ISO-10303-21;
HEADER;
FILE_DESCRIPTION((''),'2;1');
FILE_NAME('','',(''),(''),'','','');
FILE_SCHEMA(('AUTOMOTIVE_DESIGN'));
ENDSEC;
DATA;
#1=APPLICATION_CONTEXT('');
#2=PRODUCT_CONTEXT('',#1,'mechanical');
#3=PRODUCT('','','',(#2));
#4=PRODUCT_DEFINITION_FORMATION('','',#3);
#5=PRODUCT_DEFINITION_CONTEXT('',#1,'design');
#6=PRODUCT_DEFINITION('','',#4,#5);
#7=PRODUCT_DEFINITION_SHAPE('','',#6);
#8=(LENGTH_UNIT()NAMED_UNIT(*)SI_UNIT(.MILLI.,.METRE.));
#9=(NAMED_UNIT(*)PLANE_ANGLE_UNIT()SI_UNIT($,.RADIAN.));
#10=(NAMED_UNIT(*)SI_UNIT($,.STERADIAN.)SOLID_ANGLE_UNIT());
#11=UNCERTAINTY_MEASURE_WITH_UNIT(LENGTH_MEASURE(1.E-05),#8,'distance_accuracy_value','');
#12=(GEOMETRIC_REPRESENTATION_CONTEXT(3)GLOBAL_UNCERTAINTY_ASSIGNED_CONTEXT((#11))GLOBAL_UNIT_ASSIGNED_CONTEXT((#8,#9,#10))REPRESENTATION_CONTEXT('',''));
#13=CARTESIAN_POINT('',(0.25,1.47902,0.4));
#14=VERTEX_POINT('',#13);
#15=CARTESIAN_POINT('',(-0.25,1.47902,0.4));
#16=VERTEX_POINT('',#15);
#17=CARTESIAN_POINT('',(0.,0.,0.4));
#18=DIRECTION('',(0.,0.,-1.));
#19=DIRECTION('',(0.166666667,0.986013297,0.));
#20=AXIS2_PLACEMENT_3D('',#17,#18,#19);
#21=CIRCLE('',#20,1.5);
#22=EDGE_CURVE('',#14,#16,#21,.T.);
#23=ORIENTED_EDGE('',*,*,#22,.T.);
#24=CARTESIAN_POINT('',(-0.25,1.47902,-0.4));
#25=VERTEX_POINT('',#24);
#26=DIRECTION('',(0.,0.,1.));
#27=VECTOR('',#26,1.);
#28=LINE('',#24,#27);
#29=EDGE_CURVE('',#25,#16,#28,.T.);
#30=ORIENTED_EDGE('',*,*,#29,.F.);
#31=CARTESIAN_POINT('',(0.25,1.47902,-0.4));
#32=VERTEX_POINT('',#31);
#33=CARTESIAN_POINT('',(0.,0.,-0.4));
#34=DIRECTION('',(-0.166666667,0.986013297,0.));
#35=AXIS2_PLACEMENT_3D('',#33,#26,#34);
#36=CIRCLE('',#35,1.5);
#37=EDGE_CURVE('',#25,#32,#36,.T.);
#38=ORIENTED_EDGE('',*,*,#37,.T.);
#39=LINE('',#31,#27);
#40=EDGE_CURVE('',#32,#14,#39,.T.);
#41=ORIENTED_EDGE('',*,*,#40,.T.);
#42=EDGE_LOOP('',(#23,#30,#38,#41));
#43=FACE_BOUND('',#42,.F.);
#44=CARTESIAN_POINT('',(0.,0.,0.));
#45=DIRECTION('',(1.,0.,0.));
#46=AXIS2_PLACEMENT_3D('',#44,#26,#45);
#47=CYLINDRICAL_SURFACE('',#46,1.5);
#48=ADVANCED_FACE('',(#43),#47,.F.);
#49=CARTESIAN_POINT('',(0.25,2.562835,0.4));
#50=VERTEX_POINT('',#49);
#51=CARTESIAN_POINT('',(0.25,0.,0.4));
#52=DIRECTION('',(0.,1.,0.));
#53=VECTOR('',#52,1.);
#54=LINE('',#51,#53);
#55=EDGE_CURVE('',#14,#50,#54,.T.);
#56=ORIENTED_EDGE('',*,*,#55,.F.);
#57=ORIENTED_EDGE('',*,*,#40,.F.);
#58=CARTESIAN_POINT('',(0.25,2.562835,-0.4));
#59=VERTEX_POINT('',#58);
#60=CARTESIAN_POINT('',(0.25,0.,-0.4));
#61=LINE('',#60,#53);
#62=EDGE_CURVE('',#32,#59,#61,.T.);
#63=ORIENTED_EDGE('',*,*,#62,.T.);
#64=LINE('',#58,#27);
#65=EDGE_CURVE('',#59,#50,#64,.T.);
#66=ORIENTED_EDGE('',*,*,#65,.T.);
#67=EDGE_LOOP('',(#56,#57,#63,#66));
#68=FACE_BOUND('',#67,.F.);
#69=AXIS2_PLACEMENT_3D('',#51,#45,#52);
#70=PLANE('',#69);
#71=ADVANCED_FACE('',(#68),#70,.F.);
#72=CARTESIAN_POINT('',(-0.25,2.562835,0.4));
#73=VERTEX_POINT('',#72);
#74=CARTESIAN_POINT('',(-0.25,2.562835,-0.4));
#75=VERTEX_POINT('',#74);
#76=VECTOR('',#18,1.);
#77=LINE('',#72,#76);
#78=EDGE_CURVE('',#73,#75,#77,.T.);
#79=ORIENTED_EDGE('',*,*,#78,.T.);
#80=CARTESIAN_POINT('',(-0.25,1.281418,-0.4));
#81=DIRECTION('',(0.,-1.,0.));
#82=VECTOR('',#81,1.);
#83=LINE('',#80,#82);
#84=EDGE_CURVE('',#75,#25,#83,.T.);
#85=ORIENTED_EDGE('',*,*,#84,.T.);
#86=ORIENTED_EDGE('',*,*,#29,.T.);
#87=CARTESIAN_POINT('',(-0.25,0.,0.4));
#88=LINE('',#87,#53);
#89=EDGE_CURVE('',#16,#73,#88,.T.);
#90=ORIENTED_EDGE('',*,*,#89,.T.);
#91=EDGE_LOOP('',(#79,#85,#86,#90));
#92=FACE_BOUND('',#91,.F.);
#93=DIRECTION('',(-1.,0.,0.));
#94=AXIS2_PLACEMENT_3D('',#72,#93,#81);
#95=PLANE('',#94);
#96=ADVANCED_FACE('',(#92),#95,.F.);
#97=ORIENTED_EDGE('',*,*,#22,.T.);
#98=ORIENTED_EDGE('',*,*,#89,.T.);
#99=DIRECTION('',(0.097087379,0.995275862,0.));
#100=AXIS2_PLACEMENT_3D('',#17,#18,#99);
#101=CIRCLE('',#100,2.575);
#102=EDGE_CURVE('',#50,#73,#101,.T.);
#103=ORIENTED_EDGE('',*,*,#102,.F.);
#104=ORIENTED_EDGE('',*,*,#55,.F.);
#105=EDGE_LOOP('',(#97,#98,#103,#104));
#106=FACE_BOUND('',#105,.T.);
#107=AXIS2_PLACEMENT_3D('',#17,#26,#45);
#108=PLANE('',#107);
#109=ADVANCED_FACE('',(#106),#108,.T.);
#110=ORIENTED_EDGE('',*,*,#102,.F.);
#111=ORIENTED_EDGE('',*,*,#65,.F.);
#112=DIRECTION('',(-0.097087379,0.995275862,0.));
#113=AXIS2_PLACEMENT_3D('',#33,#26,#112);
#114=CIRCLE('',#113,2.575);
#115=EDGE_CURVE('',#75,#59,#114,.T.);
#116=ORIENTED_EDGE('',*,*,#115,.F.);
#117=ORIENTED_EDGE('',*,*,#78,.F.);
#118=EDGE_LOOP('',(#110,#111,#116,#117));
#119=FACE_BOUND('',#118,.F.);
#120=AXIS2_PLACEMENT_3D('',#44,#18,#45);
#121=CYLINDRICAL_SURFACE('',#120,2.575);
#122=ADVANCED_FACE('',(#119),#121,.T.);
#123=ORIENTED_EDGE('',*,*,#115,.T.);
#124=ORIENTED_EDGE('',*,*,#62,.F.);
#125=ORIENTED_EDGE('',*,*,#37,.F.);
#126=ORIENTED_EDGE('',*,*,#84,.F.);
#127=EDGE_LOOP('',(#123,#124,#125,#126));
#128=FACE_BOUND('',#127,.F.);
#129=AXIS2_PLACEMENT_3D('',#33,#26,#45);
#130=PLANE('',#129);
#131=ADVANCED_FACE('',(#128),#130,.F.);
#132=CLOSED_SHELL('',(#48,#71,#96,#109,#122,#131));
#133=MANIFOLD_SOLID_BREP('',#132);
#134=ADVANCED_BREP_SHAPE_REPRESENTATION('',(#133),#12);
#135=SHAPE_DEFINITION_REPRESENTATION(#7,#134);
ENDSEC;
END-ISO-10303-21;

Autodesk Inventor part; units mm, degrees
ref_plane "YZ Plane" through (0, 0, 0) normal (1, 0, 0) x (0, 1, 0)
ref_plane "XZ Plane" through (0, 0, 0) normal (0, 1, 0) x (-1, 0, 0)
ref_plane "XY Plane" through (0, 0, 0) normal (0, 0, 1) x (1, 0, 0)
sketch "Esquisse1" plane through (0, 0, 0) normal (0, 0, 1) x (1, 0, 0)
  circle A0 centre (0, 0) radius 1.5
  circle A1 centre (0, 0) radius 2.575
  dimension "d0" = 3
  dimension "d1" = 5.15
extrude "Extrusion1" add sketch "Esquisse1" along normal mid plane 0.8
sketch "Esquisse2" plane through (0, 0, 0.4) normal (0, 0, 1) x (1, 0, 0)
  line L0 (-0.25, 0) -> (0.25, 0)
  line L1 (0.25, 0) -> (0.25, 3.075)
  line L2 (0.25, 3.075) -> (-0.25, 3.075)
  line L3 (-0.25, 3.075) -> (-0.25, 0)
  circle A0 centre (0, 0) radius 2.575 projected
  dimension "d4" = 0.5
  dimension "d5" = 0.5
extrude "Extrusion2" cut sketch "Esquisse2" against normal through all contours L3 A0 L1 L0 | L3 L2 L1 A0 picked at (0.0278, 0.8579)
properties part number "Contre rondelle" material "Aluminium"
